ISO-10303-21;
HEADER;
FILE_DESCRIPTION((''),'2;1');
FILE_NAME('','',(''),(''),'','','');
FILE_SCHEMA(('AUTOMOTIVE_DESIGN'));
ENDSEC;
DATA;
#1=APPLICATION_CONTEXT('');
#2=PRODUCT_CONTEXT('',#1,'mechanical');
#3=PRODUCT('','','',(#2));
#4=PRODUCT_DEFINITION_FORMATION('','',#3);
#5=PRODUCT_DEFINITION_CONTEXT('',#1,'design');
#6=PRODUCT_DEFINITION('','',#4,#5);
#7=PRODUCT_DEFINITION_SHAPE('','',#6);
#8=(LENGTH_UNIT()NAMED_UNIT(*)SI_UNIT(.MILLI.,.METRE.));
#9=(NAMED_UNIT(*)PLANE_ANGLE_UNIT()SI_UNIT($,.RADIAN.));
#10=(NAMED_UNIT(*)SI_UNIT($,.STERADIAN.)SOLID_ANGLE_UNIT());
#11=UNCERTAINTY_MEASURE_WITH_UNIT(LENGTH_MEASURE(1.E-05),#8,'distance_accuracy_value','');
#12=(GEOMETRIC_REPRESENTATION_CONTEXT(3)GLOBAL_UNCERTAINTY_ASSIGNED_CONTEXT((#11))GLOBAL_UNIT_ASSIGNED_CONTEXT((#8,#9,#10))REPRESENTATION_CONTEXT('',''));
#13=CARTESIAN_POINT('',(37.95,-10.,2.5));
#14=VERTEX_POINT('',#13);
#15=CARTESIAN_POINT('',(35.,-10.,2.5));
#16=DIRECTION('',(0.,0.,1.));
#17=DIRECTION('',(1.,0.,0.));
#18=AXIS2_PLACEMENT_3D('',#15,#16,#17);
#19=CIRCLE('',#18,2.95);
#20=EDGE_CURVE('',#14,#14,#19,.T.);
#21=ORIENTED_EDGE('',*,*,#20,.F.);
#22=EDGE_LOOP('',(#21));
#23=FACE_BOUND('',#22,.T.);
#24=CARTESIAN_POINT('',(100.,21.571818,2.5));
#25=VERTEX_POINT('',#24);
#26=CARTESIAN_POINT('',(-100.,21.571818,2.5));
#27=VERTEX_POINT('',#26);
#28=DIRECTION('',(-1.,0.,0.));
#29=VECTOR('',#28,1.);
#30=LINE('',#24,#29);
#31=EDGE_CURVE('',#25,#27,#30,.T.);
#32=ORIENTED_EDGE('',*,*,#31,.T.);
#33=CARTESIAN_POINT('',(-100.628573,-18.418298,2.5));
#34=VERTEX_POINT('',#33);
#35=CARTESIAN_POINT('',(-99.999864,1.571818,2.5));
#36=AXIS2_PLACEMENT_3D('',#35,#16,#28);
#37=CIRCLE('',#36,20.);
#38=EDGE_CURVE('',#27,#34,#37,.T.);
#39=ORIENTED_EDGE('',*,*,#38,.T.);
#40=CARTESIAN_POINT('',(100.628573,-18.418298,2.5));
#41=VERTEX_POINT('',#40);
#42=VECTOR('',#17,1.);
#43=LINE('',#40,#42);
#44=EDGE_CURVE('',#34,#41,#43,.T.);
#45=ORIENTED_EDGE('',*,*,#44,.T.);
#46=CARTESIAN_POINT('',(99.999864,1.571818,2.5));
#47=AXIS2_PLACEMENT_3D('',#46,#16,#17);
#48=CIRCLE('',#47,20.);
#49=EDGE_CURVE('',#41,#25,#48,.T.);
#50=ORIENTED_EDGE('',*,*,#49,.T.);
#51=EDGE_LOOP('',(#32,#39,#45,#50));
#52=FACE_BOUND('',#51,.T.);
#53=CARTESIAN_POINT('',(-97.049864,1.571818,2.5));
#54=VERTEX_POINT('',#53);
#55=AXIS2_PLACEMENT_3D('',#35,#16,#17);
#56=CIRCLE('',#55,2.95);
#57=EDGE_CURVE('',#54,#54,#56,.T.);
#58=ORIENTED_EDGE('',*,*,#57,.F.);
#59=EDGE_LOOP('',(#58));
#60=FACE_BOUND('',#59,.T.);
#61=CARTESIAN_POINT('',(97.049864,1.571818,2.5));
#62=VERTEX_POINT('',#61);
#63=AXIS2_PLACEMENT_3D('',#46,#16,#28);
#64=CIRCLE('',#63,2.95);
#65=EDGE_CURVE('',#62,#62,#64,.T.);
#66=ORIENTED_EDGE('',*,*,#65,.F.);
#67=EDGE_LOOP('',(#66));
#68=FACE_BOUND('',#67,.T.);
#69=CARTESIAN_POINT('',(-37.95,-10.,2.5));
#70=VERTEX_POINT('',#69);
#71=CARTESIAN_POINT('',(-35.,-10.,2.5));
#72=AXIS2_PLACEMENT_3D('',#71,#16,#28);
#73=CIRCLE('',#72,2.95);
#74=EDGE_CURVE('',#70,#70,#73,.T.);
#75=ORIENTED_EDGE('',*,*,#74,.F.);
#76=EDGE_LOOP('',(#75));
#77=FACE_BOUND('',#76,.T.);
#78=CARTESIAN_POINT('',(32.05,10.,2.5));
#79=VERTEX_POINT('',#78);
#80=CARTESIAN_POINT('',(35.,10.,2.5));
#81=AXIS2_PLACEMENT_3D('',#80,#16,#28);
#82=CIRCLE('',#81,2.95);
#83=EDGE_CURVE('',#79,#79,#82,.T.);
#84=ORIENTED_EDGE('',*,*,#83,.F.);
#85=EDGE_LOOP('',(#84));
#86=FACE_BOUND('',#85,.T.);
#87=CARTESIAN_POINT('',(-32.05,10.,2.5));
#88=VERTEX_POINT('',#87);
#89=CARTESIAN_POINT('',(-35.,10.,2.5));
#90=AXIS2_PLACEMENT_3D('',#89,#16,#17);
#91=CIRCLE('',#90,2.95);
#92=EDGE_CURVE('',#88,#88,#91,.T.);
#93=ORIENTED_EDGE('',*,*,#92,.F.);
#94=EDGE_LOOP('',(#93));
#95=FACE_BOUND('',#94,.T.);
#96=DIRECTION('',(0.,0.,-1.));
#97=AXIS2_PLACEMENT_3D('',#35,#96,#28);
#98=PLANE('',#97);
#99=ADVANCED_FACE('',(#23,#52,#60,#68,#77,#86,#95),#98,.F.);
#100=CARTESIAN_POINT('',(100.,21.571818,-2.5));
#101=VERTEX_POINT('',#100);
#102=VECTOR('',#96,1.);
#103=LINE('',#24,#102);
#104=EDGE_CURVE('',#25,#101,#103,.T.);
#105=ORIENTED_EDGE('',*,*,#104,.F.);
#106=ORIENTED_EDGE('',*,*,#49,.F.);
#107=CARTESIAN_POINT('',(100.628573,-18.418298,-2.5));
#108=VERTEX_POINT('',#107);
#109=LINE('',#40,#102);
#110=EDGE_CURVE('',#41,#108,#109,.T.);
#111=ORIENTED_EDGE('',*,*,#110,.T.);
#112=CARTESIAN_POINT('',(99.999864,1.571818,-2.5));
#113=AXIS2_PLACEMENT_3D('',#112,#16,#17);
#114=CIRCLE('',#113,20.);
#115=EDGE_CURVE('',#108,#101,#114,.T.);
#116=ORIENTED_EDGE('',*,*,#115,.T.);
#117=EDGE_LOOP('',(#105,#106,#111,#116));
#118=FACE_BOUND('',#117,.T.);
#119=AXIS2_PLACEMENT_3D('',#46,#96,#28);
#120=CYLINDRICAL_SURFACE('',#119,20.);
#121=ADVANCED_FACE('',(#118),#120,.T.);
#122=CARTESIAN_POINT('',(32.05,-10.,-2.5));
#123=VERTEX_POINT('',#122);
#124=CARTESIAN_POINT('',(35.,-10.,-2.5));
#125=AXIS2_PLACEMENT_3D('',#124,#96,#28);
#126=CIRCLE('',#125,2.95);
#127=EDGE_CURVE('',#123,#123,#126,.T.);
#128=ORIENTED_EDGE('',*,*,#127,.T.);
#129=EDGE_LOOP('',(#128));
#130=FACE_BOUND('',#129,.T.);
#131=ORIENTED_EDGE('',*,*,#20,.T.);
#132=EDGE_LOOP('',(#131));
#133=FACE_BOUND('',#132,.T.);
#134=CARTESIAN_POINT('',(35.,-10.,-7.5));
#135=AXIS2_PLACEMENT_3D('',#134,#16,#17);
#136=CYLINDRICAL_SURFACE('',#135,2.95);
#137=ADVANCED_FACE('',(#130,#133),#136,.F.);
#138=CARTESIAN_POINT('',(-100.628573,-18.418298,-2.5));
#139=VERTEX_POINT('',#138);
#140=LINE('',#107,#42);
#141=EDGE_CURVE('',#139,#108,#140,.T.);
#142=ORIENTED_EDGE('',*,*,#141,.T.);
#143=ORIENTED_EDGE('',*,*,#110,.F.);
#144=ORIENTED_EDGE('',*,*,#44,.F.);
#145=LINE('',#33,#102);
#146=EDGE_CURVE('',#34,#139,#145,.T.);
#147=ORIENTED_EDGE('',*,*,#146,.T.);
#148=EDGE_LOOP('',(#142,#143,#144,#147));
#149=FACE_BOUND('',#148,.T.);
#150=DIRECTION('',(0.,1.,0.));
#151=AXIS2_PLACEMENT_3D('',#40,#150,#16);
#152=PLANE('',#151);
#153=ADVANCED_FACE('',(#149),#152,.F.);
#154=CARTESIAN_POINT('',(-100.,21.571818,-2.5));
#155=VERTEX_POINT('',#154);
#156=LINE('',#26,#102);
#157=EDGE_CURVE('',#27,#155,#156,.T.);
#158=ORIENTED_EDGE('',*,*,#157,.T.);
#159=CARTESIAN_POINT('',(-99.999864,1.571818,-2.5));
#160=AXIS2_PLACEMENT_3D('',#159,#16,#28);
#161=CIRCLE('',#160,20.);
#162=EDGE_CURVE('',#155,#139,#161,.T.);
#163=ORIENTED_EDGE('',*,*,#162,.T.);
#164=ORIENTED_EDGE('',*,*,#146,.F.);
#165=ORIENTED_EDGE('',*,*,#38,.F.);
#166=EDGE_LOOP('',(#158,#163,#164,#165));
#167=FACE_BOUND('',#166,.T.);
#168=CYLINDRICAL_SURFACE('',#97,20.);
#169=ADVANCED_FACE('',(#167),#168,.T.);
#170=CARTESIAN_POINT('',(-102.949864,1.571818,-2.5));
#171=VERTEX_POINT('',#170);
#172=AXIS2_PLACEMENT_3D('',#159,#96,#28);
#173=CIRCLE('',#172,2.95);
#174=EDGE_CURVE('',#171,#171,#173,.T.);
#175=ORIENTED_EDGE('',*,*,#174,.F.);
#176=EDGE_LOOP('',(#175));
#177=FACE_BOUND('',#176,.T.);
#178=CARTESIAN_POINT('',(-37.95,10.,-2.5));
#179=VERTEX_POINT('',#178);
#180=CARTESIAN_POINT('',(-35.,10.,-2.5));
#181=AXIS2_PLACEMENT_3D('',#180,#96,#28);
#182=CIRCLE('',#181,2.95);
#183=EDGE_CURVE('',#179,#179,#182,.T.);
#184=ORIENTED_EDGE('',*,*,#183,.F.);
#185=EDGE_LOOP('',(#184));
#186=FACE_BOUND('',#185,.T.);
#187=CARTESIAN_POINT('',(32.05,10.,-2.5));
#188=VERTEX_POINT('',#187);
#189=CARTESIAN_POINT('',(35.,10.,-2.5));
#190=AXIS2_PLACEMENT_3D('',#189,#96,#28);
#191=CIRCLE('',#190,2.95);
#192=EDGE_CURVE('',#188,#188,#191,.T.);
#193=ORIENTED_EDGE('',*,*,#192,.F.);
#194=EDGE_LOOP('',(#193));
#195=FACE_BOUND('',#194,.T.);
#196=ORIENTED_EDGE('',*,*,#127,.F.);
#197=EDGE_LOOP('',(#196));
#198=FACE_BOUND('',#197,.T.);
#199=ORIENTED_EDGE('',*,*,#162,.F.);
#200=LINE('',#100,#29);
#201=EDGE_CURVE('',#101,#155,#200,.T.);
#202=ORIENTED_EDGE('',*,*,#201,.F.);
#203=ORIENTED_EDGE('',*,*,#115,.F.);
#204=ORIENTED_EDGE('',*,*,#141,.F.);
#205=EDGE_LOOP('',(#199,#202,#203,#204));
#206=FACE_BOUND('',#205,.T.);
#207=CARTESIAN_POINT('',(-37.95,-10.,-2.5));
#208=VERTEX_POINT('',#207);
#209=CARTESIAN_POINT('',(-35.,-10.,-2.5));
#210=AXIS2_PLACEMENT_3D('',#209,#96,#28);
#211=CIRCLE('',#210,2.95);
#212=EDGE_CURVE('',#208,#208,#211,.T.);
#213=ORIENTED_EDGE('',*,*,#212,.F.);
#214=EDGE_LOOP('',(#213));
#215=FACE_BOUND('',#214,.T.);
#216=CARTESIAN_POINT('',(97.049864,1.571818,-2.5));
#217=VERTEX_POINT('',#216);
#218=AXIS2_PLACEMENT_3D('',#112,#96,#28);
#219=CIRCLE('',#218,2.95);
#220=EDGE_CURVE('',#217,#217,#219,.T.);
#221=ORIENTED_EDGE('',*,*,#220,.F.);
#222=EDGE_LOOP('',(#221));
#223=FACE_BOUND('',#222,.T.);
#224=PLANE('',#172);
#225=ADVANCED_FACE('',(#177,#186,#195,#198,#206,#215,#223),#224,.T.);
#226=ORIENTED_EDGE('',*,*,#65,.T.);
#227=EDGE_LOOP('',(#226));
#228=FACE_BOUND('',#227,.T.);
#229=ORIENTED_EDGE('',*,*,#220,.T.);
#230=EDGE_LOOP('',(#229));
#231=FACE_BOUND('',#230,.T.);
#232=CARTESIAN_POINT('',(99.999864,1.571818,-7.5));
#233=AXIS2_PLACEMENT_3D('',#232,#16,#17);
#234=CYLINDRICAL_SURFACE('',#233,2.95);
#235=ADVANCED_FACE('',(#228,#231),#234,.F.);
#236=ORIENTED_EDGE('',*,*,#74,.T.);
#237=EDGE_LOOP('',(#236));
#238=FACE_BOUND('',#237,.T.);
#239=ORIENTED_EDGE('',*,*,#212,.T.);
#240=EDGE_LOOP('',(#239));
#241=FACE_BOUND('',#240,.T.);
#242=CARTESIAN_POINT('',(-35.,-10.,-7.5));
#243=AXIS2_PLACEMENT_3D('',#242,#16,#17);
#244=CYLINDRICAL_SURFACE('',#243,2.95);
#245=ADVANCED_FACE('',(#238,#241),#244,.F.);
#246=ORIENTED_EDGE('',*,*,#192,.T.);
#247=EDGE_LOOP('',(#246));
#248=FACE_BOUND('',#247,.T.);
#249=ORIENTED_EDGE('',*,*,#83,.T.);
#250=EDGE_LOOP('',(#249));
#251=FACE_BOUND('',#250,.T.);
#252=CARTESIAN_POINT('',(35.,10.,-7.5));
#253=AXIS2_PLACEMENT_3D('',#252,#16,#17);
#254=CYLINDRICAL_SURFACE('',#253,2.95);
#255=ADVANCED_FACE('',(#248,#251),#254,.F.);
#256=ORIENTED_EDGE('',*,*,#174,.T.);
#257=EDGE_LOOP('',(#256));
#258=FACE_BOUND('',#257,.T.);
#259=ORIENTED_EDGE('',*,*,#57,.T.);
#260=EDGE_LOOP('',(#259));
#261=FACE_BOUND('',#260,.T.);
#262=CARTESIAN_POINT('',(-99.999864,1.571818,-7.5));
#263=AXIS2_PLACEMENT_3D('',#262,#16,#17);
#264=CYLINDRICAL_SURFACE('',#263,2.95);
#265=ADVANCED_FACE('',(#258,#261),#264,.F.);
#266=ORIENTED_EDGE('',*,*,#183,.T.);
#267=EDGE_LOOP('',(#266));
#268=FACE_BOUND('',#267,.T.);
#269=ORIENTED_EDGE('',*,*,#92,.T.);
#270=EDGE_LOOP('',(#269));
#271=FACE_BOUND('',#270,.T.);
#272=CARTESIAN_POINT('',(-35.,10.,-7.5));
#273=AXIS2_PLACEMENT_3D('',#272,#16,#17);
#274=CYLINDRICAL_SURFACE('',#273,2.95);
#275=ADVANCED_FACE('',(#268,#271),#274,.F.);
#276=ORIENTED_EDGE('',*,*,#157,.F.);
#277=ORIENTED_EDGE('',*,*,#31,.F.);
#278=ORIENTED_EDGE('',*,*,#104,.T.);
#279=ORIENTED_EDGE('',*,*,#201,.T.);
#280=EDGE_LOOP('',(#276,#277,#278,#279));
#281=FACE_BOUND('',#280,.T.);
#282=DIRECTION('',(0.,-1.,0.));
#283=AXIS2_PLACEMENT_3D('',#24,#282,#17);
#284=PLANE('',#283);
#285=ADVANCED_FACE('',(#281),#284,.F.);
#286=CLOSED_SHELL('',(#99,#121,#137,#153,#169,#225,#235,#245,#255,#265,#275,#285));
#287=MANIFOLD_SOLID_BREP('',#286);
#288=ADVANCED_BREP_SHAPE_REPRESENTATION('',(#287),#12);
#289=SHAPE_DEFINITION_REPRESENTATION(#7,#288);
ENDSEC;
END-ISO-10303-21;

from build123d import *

# Parameters (mm, degrees)
EXTRUIR1_DEPTH        = 2.5
CROQUIS3_R            = 2.95
CORTAR_EXTRUIR1_DEPTH = 10
CROQUIS4_R            = 2.95
CORTAR_EXTRUIR2_DEPTH = 10


with BuildPart() as part:
    # Croquis2 → Extruir1 (new, symmetric)
    with BuildSketch(Plane.XY):
        with BuildLine():
            Line((100.628572724, -18.418297608), (-100.628572724, -18.418297608))
            ThreePointArc((-100.628572724, -18.418297608), (-119.997393731, 1.886143297), (-100, 21.57181808))
            Line((-100, 21.57181808), (100, 21.57181808))
            ThreePointArc((100, 21.57181808), (119.997393731, 1.886143297), (100.628572724, -18.418297608))
        make_face()
    extrude(amount=EXTRUIR1_DEPTH, both=True)

    # Croquis3 → Cortar-Extruir1 (cut)
    with BuildSketch(Plane.XY.offset(2.5)):
        with Locations(Location((99.999863892, 1.57181808, 0), (0, 0, 180))):
            Circle(CROQUIS3_R)
        with Locations((-99.999863892, 1.57181808)):
            Circle(CROQUIS3_R)
    extrude(amount=-CORTAR_EXTRUIR1_DEPTH, mode=Mode.SUBTRACT)

    # Croquis4 → Cortar-Extruir2 (cut)
    with BuildSketch(Plane.XY.offset(2.5)):
        with Locations((-35, 10)):
            Circle(CROQUIS4_R)
        with Locations(Location((-35, -10, 0), (0, 0, 180))):
            Circle(CROQUIS4_R)
        with Locations((35, -10)):
            Circle(CROQUIS4_R)
        with Locations(Location((35, 10, 0), (0, 0, 180))):
            Circle(CROQUIS4_R)
    extrude(amount=-CORTAR_EXTRUIR2_DEPTH, mode=Mode.SUBTRACT)


solid = part.part
